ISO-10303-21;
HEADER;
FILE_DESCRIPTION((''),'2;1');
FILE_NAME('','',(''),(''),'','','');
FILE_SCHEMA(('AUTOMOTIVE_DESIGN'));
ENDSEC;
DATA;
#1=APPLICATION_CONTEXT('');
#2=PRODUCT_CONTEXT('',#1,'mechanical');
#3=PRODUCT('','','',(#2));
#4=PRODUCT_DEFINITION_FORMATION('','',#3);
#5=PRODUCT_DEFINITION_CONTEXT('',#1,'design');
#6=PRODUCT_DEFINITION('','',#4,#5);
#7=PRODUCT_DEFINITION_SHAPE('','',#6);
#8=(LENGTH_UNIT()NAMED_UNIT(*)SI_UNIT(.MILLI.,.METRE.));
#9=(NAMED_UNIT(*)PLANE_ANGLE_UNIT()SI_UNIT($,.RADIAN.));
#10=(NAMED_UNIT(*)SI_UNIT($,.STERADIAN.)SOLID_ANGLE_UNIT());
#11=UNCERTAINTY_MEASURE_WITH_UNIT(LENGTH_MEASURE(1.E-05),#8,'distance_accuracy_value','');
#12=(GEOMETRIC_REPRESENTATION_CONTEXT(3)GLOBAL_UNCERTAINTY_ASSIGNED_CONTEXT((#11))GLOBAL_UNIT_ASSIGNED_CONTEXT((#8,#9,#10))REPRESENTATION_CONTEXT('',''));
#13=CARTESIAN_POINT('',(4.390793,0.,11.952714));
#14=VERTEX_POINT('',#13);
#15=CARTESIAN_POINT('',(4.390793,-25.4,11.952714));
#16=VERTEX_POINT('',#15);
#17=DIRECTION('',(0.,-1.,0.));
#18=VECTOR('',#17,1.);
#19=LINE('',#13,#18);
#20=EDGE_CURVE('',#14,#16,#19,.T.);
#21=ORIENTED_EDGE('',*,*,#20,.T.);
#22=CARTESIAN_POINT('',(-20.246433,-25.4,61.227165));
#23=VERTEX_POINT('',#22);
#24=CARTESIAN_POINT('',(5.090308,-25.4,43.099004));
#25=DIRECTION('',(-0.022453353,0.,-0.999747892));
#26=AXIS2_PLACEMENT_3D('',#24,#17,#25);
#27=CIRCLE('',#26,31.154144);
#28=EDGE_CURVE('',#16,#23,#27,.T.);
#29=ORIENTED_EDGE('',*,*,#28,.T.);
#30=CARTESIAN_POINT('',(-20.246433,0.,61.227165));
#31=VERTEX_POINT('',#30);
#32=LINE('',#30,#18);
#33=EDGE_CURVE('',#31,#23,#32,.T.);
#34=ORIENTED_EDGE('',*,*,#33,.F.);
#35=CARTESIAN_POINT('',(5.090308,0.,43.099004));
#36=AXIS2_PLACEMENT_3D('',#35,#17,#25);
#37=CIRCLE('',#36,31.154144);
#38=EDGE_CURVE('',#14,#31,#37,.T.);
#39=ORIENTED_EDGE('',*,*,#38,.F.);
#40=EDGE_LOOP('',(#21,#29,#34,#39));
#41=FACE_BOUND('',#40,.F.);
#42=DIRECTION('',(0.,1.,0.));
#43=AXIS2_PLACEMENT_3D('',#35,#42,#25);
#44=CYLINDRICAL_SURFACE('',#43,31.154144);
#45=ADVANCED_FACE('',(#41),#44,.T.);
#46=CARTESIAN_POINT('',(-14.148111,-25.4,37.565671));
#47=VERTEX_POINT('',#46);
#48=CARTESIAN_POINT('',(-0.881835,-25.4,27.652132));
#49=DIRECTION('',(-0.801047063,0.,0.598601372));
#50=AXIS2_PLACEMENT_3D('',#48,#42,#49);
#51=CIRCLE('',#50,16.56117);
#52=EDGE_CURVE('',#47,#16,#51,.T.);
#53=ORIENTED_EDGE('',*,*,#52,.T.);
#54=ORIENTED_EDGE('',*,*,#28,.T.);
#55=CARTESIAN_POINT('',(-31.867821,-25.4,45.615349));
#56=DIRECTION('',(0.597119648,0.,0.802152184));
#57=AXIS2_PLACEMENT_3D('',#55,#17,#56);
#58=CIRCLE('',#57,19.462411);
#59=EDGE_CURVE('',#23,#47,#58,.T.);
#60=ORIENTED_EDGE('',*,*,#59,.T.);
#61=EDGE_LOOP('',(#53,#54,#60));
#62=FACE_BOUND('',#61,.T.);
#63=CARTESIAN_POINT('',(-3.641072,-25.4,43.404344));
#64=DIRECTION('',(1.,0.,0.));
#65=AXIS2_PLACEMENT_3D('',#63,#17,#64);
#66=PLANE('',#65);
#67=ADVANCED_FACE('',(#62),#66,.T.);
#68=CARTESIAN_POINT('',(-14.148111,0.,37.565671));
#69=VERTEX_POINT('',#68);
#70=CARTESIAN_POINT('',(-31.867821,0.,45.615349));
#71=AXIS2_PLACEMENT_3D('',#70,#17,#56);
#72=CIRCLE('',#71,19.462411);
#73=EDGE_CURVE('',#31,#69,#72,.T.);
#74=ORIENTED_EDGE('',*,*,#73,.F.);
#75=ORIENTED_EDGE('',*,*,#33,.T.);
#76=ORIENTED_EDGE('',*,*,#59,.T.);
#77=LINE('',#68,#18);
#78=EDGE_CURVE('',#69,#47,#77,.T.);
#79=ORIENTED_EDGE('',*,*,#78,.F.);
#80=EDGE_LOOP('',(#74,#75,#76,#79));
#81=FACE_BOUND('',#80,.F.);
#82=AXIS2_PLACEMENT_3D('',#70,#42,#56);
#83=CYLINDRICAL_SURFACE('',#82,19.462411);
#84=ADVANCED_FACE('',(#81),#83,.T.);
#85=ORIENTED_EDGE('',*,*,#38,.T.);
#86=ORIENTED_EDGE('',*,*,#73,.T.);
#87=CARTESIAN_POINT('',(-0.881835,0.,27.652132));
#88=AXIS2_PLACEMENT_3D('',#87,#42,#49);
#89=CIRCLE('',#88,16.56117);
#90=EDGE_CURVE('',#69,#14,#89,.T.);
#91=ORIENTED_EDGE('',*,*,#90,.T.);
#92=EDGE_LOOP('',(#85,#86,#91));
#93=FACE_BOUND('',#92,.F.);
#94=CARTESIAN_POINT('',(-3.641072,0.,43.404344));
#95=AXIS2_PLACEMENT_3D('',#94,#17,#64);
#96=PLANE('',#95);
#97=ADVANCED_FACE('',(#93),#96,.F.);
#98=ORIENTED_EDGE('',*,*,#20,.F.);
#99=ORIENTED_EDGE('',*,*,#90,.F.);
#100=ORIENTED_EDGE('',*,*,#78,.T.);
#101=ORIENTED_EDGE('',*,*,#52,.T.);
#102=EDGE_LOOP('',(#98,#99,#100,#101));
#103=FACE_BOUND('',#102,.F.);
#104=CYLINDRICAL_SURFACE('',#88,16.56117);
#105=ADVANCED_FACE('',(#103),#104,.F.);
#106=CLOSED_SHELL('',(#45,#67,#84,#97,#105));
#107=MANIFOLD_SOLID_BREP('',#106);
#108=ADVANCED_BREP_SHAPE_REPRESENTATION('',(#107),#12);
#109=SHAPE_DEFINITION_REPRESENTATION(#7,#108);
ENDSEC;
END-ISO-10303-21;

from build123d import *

# Parameters (mm, degrees)
F1_DEPTH = 25.4


with BuildPart() as f1:
    # F0 (on Front) → F1 (new body)
    with BuildSketch(Plane.XZ):
        with BuildLine():
            ThreePointArc((-14.148111, 37.565671), (12.533846, 37.362531), (4.390793, 11.952714))
            ThreePointArc((4.390793, 11.952714), (32.955421, 57.031561), (-20.246433, 61.227165))
            ThreePointArc((-20.246433, 61.227165), (-50.714348, 40.757997), (-14.148111, 37.565671))
        make_face()
    extrude(amount=F1_DEPTH)


solid = f1.part
